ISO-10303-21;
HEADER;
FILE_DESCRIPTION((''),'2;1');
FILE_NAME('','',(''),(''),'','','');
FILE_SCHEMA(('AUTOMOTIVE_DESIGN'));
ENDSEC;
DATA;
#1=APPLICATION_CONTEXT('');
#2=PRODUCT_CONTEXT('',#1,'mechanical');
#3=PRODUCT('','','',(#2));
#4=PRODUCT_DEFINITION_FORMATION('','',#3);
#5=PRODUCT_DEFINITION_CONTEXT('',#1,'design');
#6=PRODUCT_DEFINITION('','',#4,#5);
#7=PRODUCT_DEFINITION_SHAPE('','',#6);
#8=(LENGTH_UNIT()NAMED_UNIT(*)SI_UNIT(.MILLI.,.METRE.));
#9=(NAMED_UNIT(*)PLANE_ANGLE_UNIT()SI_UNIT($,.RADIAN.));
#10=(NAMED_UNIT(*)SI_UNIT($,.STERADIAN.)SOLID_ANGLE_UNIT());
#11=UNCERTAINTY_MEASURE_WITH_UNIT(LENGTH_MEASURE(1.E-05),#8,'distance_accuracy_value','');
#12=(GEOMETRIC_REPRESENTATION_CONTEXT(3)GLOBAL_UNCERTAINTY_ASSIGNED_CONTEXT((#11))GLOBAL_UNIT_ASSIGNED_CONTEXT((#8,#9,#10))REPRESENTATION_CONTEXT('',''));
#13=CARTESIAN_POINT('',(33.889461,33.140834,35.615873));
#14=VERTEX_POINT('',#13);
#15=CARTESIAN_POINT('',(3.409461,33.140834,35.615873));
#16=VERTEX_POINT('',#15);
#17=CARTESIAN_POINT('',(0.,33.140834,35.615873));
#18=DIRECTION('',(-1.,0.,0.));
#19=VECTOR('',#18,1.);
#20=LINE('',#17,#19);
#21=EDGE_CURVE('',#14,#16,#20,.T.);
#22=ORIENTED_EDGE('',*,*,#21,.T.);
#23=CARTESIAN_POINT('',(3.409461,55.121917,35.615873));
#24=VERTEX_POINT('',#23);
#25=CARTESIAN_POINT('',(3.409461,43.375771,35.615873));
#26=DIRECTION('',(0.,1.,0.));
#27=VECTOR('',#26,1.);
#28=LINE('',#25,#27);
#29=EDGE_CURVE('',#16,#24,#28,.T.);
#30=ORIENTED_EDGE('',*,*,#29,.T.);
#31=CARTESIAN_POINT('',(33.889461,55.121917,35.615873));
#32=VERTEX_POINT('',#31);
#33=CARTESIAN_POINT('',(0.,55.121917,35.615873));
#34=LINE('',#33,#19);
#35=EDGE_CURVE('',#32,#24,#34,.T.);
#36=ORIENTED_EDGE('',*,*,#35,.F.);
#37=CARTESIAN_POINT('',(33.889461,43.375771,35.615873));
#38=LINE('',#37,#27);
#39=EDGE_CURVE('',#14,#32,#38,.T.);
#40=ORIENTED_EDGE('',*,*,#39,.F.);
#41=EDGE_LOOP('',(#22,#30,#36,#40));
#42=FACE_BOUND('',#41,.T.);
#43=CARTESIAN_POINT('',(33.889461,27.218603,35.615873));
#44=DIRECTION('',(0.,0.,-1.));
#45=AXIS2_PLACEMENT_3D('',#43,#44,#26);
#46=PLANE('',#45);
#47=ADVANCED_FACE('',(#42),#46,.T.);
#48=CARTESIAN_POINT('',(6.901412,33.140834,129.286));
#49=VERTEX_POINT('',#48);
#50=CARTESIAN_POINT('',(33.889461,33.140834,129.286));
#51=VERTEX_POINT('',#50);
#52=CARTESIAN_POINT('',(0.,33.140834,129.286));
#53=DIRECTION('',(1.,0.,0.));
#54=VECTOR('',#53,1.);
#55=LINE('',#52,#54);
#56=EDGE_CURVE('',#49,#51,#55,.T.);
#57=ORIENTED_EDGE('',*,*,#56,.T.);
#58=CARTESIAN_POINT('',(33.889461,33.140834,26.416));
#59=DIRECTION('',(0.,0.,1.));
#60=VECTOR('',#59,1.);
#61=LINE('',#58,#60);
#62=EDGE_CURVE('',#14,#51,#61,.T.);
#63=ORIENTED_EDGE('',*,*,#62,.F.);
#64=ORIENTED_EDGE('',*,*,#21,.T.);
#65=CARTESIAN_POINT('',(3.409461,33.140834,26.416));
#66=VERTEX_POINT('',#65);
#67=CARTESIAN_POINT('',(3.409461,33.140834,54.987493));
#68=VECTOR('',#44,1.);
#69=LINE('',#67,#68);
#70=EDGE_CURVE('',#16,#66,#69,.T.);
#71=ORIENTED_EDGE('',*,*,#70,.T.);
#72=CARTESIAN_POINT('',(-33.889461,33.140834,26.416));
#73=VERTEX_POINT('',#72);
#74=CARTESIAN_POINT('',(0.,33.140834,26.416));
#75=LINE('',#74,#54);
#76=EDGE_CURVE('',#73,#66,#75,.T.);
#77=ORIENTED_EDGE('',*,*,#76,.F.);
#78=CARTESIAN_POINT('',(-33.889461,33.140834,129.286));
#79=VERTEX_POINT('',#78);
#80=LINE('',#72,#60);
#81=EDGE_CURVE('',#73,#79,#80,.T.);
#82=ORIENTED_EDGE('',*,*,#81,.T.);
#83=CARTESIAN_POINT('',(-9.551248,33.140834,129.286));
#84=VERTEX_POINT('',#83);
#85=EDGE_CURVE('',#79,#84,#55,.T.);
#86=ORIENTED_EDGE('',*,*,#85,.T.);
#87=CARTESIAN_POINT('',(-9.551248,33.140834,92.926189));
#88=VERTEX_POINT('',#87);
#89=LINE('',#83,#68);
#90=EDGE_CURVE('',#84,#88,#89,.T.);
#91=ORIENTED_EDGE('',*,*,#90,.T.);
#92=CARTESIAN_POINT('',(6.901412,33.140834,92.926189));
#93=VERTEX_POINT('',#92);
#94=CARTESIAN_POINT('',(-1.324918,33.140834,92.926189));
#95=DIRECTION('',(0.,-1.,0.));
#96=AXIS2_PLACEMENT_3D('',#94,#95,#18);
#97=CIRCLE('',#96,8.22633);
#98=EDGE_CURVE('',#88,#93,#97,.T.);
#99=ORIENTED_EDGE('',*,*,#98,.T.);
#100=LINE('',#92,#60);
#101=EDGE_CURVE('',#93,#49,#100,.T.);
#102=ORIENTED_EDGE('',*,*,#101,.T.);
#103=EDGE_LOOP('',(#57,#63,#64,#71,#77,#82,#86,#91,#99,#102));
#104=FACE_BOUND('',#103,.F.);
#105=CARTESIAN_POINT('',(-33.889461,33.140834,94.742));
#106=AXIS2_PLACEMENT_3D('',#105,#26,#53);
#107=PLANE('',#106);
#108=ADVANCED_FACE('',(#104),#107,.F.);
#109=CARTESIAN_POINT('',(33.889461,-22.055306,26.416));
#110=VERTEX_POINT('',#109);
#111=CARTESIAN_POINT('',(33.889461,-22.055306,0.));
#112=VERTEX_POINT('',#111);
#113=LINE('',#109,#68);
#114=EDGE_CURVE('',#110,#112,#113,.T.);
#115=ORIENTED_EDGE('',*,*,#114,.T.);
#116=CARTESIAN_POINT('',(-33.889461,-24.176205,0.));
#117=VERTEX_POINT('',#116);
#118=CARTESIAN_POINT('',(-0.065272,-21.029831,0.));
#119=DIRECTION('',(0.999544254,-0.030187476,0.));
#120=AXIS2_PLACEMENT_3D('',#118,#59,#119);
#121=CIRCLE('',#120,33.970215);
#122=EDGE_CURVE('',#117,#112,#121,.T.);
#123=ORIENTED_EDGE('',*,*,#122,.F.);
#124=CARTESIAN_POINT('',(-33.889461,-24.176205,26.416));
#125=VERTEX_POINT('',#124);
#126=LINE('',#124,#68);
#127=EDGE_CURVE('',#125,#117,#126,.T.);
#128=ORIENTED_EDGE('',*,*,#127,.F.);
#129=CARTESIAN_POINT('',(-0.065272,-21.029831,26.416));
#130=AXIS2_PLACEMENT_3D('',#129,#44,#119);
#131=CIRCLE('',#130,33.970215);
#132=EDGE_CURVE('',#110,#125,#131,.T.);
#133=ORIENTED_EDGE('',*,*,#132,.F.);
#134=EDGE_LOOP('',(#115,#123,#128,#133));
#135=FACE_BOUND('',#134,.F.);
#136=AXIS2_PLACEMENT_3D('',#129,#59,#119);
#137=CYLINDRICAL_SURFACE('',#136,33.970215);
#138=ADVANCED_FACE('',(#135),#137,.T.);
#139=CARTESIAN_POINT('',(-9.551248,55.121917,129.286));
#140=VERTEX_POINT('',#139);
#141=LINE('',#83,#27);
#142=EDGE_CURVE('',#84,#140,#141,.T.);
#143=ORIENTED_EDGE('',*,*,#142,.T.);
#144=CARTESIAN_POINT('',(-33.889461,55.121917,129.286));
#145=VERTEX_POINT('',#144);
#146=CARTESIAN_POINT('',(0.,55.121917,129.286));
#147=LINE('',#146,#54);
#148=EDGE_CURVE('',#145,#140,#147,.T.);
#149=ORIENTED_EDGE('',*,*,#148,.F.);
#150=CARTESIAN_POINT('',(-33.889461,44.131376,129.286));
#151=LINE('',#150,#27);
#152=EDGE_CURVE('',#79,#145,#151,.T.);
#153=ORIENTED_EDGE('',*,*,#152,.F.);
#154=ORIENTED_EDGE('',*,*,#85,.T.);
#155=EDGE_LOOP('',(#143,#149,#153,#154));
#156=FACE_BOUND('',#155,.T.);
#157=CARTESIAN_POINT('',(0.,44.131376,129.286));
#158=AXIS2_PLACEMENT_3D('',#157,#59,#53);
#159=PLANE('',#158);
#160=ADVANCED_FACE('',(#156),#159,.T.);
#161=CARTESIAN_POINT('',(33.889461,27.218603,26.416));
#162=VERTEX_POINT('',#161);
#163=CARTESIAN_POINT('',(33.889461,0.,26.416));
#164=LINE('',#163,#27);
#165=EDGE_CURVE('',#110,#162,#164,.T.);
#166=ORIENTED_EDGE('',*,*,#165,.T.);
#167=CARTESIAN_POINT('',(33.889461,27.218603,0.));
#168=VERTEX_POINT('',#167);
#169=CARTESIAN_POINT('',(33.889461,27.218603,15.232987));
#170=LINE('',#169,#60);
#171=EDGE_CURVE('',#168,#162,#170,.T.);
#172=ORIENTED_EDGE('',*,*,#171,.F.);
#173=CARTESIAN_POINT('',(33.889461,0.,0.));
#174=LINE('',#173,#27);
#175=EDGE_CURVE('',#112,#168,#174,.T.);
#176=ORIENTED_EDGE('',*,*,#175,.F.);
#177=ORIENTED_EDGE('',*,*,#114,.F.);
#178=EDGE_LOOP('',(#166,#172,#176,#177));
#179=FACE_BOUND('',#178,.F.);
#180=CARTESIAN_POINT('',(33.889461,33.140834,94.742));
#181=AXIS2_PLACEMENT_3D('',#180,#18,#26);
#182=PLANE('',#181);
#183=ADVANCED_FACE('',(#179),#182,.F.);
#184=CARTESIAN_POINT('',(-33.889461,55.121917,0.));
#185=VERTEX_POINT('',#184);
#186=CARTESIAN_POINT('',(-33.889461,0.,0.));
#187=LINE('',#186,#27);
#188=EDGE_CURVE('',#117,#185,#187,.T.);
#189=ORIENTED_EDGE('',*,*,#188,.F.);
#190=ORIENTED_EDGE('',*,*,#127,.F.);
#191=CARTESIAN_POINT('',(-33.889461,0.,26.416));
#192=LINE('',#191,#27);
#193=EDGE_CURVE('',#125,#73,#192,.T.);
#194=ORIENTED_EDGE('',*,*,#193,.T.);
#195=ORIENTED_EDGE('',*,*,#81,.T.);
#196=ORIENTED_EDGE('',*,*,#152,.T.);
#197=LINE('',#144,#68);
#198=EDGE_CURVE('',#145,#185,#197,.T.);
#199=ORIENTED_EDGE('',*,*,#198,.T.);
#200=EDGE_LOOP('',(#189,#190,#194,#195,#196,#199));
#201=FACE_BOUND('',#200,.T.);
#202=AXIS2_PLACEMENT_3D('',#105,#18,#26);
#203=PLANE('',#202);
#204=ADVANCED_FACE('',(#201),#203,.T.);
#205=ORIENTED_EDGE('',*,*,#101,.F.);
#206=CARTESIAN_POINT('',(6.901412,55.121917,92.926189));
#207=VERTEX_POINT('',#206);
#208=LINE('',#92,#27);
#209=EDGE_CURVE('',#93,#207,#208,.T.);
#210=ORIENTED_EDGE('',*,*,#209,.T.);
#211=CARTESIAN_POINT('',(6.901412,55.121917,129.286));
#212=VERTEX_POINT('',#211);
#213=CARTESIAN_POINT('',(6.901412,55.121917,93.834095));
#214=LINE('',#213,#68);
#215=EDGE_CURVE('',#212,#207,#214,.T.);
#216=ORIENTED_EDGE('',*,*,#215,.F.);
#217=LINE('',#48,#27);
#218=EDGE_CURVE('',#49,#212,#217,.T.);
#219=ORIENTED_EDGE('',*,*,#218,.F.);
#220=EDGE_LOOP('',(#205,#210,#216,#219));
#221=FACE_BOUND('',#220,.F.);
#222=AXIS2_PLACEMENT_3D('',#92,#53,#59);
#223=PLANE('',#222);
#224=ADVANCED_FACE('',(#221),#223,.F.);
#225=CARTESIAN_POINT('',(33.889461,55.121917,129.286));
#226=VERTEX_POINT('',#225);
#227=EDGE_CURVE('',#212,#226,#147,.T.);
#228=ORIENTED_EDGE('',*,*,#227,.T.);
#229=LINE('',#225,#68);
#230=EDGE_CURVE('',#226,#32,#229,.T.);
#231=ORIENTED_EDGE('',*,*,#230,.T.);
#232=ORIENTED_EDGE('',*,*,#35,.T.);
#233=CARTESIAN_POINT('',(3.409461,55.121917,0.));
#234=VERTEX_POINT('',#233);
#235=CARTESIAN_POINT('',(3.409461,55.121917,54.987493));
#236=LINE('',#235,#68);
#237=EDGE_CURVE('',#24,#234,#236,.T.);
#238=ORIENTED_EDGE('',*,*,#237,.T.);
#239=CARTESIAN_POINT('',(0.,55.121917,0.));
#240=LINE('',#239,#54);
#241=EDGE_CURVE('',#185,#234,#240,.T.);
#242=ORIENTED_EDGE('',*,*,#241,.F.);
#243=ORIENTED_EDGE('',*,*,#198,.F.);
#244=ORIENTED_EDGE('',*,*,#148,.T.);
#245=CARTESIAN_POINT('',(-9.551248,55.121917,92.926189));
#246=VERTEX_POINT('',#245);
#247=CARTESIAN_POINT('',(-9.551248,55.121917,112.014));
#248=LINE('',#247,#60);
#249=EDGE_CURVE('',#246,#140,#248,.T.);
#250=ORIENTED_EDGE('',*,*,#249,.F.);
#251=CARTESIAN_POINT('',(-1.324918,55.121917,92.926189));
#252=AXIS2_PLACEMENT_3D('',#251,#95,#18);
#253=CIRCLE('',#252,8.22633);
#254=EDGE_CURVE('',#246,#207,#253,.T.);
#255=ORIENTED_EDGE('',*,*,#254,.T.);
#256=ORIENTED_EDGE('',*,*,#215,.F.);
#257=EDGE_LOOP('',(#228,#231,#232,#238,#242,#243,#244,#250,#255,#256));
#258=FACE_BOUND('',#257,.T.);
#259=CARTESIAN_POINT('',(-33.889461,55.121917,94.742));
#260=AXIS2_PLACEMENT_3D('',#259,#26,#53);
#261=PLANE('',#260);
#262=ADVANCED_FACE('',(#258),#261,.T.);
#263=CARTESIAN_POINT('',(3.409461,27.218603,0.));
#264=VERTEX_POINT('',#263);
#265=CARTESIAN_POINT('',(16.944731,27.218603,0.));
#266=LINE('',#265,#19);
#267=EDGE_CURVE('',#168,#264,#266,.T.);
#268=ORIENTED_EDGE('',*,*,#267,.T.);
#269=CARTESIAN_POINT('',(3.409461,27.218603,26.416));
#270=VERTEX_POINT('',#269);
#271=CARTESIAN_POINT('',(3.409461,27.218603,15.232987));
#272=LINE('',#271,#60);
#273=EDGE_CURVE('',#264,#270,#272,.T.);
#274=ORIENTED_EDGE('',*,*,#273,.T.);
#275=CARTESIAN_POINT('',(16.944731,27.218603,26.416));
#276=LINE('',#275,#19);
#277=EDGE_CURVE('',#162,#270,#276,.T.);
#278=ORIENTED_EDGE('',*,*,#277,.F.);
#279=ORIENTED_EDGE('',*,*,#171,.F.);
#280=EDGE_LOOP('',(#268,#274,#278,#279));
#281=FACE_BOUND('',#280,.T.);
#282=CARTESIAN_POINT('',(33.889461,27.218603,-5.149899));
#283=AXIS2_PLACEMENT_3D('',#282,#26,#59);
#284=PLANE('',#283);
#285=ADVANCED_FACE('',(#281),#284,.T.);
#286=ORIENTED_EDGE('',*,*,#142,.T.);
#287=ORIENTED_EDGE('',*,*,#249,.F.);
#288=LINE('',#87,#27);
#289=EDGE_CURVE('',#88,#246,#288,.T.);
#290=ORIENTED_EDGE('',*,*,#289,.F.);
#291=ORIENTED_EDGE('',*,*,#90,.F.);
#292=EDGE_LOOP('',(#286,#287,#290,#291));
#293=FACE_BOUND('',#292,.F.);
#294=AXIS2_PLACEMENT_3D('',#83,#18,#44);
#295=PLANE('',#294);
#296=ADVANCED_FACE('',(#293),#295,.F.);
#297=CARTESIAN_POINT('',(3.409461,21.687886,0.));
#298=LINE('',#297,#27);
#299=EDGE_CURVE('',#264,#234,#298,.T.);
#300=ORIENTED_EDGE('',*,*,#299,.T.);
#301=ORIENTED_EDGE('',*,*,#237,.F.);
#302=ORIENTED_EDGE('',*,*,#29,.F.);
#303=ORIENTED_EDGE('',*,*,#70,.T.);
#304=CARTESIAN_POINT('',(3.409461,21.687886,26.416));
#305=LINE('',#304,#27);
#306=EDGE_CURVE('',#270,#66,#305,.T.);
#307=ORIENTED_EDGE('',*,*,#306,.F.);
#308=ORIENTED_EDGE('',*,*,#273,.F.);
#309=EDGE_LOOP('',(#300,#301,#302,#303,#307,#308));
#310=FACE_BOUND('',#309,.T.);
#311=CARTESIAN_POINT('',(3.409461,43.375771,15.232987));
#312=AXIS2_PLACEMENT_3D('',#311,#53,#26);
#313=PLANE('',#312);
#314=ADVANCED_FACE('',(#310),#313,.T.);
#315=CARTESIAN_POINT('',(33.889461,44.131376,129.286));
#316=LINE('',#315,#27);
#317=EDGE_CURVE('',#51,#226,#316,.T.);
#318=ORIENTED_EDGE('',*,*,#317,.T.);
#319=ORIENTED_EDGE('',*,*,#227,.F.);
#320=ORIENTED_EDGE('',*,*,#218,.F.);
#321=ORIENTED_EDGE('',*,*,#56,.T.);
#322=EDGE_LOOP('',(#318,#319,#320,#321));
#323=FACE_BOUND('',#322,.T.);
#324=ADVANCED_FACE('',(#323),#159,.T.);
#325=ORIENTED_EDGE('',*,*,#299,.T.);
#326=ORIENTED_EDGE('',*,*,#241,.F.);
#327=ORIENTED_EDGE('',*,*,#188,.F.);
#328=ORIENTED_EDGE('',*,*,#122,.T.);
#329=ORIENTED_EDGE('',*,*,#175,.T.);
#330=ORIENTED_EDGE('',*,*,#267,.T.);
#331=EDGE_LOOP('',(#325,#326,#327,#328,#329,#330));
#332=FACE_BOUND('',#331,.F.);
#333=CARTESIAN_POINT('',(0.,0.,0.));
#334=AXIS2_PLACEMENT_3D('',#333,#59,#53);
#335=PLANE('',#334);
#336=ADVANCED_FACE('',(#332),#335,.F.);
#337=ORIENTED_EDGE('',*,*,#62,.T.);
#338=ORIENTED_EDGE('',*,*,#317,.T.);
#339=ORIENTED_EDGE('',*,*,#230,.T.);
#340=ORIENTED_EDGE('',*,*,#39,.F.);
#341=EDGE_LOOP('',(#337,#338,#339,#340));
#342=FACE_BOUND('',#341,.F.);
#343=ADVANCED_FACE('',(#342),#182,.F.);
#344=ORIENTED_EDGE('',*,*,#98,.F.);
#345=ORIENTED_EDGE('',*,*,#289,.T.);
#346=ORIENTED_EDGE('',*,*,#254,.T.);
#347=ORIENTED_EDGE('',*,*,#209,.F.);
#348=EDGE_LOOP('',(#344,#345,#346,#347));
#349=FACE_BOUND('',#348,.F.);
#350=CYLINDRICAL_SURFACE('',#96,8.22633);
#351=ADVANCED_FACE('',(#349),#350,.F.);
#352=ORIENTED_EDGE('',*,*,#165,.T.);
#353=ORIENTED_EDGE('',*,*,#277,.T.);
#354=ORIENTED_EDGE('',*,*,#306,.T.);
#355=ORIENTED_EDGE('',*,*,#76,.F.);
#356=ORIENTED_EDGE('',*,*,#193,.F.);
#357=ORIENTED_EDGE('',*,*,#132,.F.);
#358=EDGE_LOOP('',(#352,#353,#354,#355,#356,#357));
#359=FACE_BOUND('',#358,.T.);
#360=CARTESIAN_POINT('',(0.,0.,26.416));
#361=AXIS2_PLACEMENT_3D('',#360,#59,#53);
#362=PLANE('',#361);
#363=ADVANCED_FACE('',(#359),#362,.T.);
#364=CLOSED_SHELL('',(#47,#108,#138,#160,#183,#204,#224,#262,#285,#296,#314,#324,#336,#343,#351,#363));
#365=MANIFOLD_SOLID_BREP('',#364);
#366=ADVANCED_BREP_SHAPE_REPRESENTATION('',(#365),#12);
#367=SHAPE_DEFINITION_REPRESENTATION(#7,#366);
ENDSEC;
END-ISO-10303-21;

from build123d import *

# Parameters (mm, degrees)
F0_W      = 67.7789226174
F0_H      = 110.2438345551
F1_DEPTH  = 10.668
F2_W      = 67.7789226174
F2_H      = 21.9810828567
F3_DEPTH  = 84.074
F4_DEPTH  = 15.748
F5_DEPTH  = 34.544
F7_DEPTH  = 25.4
F9_DEPTH  = 64.77
F10_W     = 32.31433779
F10_H     = 40.7657716423
F11_DEPTH = 30.48


with BuildPart() as f1:
    # F0 (on Top) → F1 (new body)
    with BuildSketch(Plane.XY):
        Rectangle(F0_W, F0_H)
    extrude(amount=F1_DEPTH)

    # F2 (on face) → F3 (join)
    with BuildSketch(Plane.XY.offset(10.668)):
        with Locations((0, 44.1313758492)):
            Rectangle(F2_W, F2_H)
    extrude(amount=F3_DEPTH)

    # F4 (add): a face of the model
    f4_faces = [f1.faces().sort_by_distance(p)[0] for p in [
        (0, -10.9905414283, 10.668),
    ]]
    extrude(f4_faces, amount=F4_DEPTH)

    # F5 (add): a face of the model
    f5_faces = [f1.faces().sort_by_distance(p)[0] for p in [
        (0, 44.1313758492, 94.742),
    ]]
    extrude(f5_faces, amount=F5_DEPTH)

    # F6 (on face) → F7 (cut)
    with BuildSketch(Plane.XZ.offset(-33.1408344209)):
        with BuildLine():
            Line((6.9014118053, 129.286), (-9.5512475818, 129.286))
            Line((-9.5512475818, 129.286), (-9.5512475818, 92.9261893034))
            ThreePointArc((-9.5512475818, 92.9261893034), (-1.3249178883, 84.6998596098), (6.9014118053, 92.9261893034))
            Line((6.9014118053, 92.9261893034), (6.9014118053, 129.286))
        make_face()
    extrude(amount=-F7_DEPTH, mode=Mode.SUBTRACT)

    # F8 (on face) → F9 (cut)
    with BuildSketch(Plane.XY.offset(26.416)):
        with BuildLine():
            ThreePointArc((33.8894613087, -22.0553063396), (0.997184828, -54.9834271284), (-33.8894613087, -24.1762053761))
            Line((-33.8894613087, -24.1762053761), (-33.8894613087, -55.1219172776))
            Line((-33.8894613087, -55.1219172776), (33.8894613087, -55.1219172776))
            Line((33.8894613087, -55.1219172776), (33.8894613087, -22.0553063396))
        make_face()
    extrude(amount=-F9_DEPTH, mode=Mode.SUBTRACT)

    # F10 (on face) → F11 (cut)
    with BuildSketch(Plane.YZ.offset(33.8894613087)):
        with Locations((43.3757714927, 15.2329867706)):
            Rectangle(F10_W, F10_H)
    extrude(amount=-F11_DEPTH, mode=Mode.SUBTRACT)


solid = f1.part
